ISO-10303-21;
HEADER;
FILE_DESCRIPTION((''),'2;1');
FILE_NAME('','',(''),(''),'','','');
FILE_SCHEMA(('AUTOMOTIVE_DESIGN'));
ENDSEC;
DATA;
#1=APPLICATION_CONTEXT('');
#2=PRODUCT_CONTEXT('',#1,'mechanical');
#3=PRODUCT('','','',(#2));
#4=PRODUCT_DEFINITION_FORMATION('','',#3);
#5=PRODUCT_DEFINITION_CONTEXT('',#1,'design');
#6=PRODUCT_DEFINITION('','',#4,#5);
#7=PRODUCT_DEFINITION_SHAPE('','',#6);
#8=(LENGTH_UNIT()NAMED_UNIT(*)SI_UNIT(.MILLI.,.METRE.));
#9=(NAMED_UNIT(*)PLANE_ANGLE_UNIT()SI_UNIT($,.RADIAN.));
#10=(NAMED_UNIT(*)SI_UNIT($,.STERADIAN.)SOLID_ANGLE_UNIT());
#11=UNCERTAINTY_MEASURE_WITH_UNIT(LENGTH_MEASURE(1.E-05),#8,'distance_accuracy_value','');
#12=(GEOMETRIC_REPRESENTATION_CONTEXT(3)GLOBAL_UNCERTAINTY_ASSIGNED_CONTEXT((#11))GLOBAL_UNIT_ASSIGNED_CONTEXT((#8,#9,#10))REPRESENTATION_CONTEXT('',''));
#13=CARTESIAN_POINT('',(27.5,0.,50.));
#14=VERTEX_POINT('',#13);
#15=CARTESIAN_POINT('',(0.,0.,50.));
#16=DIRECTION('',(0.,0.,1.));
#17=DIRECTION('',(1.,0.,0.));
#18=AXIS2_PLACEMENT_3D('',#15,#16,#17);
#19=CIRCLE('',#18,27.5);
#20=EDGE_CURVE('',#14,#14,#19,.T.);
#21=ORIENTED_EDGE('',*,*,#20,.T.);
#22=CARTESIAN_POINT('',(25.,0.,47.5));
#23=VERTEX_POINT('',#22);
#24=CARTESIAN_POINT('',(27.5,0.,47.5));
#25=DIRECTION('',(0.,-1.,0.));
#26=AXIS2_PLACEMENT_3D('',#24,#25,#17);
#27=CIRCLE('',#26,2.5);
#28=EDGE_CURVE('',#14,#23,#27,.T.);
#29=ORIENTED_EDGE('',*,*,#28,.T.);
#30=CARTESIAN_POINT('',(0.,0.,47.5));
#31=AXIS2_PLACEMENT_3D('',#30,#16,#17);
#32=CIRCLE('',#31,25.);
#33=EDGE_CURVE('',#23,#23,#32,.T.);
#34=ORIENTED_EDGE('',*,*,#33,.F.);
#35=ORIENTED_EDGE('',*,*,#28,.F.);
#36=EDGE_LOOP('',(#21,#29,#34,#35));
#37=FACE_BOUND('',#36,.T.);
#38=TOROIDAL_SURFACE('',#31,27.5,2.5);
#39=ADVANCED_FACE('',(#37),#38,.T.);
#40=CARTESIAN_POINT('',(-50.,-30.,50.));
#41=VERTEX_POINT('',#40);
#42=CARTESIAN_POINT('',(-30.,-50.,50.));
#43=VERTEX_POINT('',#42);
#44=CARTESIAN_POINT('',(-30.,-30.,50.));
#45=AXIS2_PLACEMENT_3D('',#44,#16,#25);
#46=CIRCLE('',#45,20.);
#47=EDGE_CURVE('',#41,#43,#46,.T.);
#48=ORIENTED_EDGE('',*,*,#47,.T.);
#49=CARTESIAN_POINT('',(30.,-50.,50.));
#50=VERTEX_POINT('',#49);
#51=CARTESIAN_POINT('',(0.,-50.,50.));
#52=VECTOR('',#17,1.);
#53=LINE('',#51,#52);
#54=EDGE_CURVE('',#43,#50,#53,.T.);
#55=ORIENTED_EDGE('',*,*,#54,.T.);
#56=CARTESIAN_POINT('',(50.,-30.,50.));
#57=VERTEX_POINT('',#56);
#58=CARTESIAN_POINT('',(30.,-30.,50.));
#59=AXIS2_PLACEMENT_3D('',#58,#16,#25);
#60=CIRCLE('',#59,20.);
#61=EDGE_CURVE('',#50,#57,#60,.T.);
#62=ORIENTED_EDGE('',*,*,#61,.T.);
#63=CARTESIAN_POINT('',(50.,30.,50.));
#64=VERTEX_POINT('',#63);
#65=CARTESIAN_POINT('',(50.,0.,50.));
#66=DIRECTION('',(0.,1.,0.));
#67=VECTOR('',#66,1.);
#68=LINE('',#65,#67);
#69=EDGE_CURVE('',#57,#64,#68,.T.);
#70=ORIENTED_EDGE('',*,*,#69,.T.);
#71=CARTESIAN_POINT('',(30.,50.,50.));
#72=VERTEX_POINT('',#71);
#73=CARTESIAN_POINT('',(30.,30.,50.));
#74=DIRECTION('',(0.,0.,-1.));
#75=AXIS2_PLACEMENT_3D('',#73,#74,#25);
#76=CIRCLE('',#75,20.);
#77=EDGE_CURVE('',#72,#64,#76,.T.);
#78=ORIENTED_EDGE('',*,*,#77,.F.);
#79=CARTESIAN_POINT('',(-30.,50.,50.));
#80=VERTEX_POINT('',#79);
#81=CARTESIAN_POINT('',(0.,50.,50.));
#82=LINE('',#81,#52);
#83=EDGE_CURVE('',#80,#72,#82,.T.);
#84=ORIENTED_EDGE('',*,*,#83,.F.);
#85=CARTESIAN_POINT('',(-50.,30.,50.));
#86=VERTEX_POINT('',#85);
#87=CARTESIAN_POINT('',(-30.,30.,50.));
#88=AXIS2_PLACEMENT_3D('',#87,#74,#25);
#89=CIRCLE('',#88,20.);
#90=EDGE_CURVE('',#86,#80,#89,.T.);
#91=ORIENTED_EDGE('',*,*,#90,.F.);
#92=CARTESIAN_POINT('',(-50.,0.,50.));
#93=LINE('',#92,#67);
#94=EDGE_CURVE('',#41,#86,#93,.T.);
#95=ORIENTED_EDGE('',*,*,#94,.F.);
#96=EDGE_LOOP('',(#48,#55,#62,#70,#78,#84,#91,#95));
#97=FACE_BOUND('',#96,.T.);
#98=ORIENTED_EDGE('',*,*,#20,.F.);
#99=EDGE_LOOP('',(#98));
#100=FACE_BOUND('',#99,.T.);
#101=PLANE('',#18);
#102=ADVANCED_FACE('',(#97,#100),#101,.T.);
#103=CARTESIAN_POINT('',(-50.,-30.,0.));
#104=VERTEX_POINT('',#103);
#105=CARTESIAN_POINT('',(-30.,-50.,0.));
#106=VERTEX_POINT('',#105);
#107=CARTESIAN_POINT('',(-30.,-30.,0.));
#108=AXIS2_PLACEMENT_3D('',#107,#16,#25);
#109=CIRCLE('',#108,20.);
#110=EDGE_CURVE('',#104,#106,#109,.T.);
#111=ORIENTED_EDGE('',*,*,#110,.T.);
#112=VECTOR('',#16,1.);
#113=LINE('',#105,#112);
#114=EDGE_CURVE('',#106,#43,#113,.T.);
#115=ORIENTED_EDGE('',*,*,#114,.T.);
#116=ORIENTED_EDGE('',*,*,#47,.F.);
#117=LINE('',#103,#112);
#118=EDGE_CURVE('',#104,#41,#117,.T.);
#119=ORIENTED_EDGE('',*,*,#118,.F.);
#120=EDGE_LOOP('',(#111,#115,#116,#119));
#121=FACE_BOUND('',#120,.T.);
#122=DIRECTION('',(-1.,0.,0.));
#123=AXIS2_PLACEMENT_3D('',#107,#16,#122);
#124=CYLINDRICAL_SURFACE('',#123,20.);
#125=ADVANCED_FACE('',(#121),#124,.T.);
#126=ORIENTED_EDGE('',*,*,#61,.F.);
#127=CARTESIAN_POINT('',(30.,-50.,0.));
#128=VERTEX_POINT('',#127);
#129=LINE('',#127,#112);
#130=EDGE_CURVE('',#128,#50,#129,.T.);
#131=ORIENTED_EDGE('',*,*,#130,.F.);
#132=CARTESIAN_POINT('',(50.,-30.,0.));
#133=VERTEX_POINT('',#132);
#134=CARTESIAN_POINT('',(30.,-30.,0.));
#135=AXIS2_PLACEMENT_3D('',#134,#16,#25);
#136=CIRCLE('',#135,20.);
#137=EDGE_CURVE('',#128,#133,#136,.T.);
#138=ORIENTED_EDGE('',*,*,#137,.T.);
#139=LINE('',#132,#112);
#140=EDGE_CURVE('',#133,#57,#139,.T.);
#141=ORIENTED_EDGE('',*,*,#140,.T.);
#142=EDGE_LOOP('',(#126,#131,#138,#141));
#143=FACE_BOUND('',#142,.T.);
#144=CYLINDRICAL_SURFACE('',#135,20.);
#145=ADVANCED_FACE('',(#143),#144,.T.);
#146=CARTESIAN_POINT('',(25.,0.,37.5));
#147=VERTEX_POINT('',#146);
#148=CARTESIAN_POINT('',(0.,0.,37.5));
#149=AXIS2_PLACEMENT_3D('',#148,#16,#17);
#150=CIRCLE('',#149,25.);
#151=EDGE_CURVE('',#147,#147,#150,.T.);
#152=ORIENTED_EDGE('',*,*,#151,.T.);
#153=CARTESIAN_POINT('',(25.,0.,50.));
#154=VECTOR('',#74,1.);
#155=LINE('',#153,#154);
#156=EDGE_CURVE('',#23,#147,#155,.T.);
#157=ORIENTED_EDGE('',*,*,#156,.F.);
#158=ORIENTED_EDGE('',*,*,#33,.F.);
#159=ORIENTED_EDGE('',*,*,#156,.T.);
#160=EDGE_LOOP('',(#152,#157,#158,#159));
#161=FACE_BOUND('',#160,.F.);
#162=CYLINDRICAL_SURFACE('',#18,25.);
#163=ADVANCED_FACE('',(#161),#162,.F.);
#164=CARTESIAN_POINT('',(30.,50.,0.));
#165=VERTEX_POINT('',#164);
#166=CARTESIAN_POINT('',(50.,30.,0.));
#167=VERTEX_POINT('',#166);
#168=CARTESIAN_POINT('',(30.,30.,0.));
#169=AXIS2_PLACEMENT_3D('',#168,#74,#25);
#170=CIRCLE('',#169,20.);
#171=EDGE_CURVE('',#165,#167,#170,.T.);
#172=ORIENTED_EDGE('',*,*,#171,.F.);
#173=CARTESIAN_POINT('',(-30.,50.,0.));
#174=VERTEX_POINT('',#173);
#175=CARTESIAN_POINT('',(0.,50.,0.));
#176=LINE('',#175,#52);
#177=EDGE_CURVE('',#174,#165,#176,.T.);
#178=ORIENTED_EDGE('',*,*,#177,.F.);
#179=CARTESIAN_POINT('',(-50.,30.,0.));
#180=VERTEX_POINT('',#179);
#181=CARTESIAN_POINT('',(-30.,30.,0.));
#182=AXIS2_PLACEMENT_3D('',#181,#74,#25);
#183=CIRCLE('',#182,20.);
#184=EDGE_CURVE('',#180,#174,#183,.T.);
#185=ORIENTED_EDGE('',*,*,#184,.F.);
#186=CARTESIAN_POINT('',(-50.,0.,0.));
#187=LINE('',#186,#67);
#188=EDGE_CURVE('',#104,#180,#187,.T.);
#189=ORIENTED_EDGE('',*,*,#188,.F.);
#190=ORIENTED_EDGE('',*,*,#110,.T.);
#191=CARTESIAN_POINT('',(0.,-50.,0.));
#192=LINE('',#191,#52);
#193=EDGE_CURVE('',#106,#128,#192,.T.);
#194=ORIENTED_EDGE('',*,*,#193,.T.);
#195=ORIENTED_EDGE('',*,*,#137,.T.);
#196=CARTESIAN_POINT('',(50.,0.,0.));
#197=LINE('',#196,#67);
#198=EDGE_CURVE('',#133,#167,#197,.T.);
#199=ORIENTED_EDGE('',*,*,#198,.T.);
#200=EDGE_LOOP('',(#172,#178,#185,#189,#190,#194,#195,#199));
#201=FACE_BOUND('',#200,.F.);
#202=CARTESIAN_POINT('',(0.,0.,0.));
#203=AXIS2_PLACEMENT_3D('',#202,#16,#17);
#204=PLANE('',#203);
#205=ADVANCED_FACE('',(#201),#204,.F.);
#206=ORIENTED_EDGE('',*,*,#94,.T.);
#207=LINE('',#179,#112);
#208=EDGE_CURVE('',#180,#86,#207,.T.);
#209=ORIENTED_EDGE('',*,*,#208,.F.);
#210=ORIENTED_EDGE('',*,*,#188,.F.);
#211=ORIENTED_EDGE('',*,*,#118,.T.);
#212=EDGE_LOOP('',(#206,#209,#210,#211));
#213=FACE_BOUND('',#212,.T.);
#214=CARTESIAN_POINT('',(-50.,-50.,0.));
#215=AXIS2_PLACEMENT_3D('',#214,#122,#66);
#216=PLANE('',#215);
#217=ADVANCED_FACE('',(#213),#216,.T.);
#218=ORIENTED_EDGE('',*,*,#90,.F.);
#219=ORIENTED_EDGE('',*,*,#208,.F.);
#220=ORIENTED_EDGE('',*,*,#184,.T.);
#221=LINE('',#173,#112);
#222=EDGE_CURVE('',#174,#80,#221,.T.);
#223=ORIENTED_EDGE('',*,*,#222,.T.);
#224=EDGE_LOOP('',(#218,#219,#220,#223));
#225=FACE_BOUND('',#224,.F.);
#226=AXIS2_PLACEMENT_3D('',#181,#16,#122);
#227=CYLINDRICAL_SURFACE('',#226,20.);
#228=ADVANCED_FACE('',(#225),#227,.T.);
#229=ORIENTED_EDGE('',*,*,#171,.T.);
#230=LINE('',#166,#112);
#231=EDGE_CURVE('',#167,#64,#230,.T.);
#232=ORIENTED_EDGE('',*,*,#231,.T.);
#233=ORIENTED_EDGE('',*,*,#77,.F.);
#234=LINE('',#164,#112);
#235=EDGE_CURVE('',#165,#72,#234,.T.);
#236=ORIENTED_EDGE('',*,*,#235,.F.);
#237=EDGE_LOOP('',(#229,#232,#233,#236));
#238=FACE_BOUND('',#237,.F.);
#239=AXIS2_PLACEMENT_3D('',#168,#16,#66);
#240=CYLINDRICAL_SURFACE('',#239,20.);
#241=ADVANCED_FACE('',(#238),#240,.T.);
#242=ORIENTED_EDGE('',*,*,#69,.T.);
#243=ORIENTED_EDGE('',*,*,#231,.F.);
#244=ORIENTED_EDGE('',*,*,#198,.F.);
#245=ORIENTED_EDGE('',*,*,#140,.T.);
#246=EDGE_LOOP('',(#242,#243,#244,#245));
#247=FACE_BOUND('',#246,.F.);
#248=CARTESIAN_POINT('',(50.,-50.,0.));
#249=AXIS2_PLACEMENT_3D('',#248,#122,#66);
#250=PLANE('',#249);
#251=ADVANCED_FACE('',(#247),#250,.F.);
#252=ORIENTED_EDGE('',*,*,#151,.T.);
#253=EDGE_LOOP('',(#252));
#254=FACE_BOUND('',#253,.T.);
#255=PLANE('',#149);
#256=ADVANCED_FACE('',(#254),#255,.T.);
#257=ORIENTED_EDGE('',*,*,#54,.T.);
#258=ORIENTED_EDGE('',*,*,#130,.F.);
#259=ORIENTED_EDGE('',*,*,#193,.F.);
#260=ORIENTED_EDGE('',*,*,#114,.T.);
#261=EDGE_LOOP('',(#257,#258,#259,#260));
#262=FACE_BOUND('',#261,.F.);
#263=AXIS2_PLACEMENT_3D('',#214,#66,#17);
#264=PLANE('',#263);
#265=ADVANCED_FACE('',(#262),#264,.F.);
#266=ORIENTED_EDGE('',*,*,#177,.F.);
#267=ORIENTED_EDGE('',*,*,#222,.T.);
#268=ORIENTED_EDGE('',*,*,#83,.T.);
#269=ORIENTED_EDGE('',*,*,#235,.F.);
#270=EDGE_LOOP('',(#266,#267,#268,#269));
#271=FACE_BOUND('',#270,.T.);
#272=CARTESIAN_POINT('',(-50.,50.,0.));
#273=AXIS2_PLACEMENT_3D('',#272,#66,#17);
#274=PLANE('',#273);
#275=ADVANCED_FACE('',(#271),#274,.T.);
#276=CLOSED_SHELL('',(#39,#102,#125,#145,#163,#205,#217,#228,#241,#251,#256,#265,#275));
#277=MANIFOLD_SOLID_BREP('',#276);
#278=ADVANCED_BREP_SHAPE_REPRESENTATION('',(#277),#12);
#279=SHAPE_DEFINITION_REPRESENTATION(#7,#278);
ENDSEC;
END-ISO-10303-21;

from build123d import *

# Parameters (mm, degrees)
SKETCH_W     = 100
SKETCH_H     = 100
PAD_DEPTH    = 50
SKETCH001_R  = 25
POCKET_DEPTH = 12.5
FILLET_R     = 20
FILLET001_R  = 2.5


with BuildPart() as part:
    # Sketch → Pad (new body)
    with BuildSketch(Plane.XY):
        Rectangle(SKETCH_W, SKETCH_H)
    extrude(amount=PAD_DEPTH)

    # Sketch001 (on Face6 of Pad) → Pocket (cut)
    with BuildSketch(Plane.XY.offset(50)):
        Circle(SKETCH001_R)
    extrude(amount=-POCKET_DEPTH, mode=Mode.SUBTRACT)

    # Fillet
    fillet_edges = [part.edges().sort_by_distance(p)[0] for p in [
        (50, -50, 25),
        (50, 50, 25),
        (-50, 50, 25),
        (-50, -50, 25),
    ]]
    fillet(fillet_edges, radius=FILLET_R)

    # Fillet001
    fillet001_edges = [part.edges().sort_by_distance(p)[0] for p in [
        (-25, 0, 50),
    ]]
    fillet(fillet001_edges, radius=FILLET001_R)


solid = part.part
